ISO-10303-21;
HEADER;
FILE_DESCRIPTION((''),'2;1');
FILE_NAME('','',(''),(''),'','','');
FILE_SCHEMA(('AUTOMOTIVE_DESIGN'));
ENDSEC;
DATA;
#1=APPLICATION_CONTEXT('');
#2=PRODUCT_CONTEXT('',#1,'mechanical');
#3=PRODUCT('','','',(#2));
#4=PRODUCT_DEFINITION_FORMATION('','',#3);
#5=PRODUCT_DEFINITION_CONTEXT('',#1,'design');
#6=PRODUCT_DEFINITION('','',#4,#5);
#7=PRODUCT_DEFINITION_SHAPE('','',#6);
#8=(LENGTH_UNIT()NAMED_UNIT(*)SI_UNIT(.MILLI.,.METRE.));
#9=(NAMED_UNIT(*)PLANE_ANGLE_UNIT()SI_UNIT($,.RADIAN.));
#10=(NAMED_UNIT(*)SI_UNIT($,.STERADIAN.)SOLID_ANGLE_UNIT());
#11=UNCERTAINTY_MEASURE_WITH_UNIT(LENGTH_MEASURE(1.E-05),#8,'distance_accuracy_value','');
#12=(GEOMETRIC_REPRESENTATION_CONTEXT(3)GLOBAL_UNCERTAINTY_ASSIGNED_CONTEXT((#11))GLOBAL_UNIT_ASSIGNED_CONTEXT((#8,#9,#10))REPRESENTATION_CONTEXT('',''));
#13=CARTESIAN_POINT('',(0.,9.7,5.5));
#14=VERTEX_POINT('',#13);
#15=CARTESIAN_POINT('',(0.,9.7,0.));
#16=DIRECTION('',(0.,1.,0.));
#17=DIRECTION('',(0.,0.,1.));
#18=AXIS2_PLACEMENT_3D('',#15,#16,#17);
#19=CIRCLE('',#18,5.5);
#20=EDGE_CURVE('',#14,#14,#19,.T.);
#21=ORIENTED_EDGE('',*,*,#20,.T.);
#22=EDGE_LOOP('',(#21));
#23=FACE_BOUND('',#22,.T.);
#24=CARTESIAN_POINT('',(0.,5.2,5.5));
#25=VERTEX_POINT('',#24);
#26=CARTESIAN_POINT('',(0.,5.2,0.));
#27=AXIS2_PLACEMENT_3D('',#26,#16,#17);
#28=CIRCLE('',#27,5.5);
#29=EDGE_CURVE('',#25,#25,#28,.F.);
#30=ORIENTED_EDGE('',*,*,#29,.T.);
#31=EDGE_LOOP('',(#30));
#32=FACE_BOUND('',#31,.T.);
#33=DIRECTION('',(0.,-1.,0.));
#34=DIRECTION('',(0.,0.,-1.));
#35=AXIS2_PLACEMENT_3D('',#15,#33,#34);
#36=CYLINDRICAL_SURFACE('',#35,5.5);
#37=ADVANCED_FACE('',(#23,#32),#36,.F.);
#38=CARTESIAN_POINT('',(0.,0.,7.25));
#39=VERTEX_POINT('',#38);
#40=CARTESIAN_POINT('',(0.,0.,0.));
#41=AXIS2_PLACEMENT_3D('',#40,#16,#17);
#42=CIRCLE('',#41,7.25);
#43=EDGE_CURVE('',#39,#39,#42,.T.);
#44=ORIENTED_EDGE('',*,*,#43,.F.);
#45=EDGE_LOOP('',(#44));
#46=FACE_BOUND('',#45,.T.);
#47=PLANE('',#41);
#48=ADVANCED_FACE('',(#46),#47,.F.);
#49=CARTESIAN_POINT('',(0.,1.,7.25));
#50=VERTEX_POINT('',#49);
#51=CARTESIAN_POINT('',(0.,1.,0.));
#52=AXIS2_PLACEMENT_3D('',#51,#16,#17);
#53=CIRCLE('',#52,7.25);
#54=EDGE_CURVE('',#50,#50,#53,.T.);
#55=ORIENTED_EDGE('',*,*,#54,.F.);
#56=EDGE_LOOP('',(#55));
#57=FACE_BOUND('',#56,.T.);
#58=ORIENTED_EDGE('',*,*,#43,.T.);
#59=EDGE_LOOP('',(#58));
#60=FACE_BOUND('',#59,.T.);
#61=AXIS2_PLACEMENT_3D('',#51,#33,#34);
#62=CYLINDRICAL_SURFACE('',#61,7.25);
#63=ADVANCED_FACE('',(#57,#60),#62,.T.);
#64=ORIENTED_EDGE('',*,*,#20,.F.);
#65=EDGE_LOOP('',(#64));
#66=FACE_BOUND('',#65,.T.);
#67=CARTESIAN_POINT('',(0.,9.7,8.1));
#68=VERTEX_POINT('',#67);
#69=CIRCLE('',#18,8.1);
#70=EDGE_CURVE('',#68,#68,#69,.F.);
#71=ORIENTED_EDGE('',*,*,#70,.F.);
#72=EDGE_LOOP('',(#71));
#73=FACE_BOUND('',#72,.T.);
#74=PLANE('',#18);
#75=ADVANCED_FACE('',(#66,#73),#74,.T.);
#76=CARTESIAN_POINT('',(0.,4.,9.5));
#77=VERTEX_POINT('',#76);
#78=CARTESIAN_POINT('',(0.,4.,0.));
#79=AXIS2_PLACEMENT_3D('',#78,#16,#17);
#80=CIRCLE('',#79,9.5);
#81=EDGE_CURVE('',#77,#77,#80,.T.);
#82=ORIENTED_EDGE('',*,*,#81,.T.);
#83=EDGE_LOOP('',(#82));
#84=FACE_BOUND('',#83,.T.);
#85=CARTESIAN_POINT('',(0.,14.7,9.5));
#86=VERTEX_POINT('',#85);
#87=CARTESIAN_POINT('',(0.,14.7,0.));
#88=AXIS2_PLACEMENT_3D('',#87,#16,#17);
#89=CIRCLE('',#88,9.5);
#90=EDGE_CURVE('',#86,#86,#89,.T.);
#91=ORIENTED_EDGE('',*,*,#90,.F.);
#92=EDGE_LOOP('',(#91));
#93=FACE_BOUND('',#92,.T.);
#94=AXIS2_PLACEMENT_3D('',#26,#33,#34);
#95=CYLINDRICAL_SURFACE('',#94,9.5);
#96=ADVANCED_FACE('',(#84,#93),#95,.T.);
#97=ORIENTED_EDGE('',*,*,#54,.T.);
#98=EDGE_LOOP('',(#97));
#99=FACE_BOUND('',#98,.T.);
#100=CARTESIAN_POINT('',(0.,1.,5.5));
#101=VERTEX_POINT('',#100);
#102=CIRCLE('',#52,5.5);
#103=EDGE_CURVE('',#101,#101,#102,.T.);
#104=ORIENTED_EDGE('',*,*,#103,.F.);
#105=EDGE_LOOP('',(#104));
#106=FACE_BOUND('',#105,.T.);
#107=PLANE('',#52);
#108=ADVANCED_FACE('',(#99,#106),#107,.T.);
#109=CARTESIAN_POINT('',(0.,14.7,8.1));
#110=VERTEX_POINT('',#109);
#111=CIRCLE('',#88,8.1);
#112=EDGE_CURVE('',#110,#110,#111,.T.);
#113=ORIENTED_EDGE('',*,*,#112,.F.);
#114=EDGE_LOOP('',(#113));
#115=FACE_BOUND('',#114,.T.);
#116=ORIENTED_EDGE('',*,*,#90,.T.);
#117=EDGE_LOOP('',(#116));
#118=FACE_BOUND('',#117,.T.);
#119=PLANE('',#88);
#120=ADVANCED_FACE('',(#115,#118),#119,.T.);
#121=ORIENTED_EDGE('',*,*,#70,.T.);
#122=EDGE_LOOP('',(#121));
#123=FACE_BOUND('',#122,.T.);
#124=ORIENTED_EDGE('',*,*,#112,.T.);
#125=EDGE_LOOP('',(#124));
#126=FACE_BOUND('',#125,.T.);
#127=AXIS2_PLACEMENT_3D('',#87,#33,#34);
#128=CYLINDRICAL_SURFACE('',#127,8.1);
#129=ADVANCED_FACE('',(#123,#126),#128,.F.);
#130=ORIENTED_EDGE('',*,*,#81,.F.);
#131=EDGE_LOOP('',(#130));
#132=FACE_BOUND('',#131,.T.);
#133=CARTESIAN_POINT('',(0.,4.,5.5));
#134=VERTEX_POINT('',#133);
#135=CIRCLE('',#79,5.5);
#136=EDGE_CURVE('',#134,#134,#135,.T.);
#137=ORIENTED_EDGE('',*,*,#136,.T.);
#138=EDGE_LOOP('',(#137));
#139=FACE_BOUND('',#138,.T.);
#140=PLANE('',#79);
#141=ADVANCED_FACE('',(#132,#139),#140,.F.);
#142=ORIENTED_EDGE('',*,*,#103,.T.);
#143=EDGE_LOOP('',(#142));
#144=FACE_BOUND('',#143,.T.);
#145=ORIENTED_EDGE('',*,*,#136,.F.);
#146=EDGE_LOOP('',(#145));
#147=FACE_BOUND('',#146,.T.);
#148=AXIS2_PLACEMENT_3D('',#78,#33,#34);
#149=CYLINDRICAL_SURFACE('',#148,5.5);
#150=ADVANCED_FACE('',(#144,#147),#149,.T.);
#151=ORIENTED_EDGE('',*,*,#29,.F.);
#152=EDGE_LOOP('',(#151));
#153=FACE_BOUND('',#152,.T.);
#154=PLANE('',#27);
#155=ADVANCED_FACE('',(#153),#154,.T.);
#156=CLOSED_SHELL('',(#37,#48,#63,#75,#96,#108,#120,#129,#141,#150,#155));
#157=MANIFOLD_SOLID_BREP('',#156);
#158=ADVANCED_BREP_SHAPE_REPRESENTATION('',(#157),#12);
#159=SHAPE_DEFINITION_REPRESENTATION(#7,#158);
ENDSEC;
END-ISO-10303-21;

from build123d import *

# Parameters (mm, degrees)
SKETCH1_R           = 7.25
BOSS_EXTRUDE1_DEPTH = 1
SKETCH2_R           = 5.5
BOSS_EXTRUDE2_DEPTH = 3
SKETCH3_R           = 9.5
BOSS_EXTRUDE3_DEPTH = 1.2
SKETCH4_R           = 9.5
SKETCH4_R_2         = 5.5
BOSS_EXTRUDE4_DEPTH = 4.5
SKETCH5_R           = 9.5
SKETCH5_R_2         = 8.1
BOSS_EXTRUDE5_DEPTH = 5


with BuildPart() as part:
    # Sketch1 → Boss-Extrude1 (new body)
    with BuildSketch(Plane(origin=(0, 0, 0), x_dir=(1, 0, 0), z_dir=(0, 1, 0))):
        with Locations(Location((0, 0, 0), (0, 0, 270))):
            Circle(SKETCH1_R)
    extrude(amount=BOSS_EXTRUDE1_DEPTH)

    # Sketch2 → Boss-Extrude2 (add)
    with BuildSketch(Plane(origin=(0, 1, 0), x_dir=(1, 0, 0), z_dir=(0, 1, 0))):
        with Locations(Location((0, 0, 0), (0, 0, 270))):
            Circle(SKETCH2_R)
    extrude(amount=BOSS_EXTRUDE2_DEPTH)

    # Sketch3 → Boss-Extrude3 (add)
    with BuildSketch(Plane(origin=(0, 4, 0), x_dir=(1, 0, 0), z_dir=(0, 1, 0))):
        with Locations(Location((0, 0, 0), (0, 0, 270))):
            Circle(SKETCH3_R)
    extrude(amount=BOSS_EXTRUDE3_DEPTH)

    # Sketch4 → Boss-Extrude4 (add)
    with BuildSketch(Plane(origin=(0, 5.2, 0), x_dir=(1, 0, 0), z_dir=(0, 1, 0))):
        with Locations(Location((0, 0, 0), (0, 0, 270))):
            Circle(SKETCH4_R)
        with Locations(Location((0, 0, 0), (0, 0, 270))):
            Circle(SKETCH4_R_2, mode=Mode.SUBTRACT)
    extrude(amount=BOSS_EXTRUDE4_DEPTH)

    # Sketch5 → Boss-Extrude5 (add)
    with BuildSketch(Plane(origin=(0, 9.7, 0), x_dir=(1, 0, 0), z_dir=(0, 1, 0))):
        with Locations(Location((0, 0, 0), (0, 0, 270))):
            Circle(SKETCH5_R)
        with Locations(Location((0, 0, 0), (0, 0, 270))):
            Circle(SKETCH5_R_2, mode=Mode.SUBTRACT)
    extrude(amount=BOSS_EXTRUDE5_DEPTH)


solid = part.part
